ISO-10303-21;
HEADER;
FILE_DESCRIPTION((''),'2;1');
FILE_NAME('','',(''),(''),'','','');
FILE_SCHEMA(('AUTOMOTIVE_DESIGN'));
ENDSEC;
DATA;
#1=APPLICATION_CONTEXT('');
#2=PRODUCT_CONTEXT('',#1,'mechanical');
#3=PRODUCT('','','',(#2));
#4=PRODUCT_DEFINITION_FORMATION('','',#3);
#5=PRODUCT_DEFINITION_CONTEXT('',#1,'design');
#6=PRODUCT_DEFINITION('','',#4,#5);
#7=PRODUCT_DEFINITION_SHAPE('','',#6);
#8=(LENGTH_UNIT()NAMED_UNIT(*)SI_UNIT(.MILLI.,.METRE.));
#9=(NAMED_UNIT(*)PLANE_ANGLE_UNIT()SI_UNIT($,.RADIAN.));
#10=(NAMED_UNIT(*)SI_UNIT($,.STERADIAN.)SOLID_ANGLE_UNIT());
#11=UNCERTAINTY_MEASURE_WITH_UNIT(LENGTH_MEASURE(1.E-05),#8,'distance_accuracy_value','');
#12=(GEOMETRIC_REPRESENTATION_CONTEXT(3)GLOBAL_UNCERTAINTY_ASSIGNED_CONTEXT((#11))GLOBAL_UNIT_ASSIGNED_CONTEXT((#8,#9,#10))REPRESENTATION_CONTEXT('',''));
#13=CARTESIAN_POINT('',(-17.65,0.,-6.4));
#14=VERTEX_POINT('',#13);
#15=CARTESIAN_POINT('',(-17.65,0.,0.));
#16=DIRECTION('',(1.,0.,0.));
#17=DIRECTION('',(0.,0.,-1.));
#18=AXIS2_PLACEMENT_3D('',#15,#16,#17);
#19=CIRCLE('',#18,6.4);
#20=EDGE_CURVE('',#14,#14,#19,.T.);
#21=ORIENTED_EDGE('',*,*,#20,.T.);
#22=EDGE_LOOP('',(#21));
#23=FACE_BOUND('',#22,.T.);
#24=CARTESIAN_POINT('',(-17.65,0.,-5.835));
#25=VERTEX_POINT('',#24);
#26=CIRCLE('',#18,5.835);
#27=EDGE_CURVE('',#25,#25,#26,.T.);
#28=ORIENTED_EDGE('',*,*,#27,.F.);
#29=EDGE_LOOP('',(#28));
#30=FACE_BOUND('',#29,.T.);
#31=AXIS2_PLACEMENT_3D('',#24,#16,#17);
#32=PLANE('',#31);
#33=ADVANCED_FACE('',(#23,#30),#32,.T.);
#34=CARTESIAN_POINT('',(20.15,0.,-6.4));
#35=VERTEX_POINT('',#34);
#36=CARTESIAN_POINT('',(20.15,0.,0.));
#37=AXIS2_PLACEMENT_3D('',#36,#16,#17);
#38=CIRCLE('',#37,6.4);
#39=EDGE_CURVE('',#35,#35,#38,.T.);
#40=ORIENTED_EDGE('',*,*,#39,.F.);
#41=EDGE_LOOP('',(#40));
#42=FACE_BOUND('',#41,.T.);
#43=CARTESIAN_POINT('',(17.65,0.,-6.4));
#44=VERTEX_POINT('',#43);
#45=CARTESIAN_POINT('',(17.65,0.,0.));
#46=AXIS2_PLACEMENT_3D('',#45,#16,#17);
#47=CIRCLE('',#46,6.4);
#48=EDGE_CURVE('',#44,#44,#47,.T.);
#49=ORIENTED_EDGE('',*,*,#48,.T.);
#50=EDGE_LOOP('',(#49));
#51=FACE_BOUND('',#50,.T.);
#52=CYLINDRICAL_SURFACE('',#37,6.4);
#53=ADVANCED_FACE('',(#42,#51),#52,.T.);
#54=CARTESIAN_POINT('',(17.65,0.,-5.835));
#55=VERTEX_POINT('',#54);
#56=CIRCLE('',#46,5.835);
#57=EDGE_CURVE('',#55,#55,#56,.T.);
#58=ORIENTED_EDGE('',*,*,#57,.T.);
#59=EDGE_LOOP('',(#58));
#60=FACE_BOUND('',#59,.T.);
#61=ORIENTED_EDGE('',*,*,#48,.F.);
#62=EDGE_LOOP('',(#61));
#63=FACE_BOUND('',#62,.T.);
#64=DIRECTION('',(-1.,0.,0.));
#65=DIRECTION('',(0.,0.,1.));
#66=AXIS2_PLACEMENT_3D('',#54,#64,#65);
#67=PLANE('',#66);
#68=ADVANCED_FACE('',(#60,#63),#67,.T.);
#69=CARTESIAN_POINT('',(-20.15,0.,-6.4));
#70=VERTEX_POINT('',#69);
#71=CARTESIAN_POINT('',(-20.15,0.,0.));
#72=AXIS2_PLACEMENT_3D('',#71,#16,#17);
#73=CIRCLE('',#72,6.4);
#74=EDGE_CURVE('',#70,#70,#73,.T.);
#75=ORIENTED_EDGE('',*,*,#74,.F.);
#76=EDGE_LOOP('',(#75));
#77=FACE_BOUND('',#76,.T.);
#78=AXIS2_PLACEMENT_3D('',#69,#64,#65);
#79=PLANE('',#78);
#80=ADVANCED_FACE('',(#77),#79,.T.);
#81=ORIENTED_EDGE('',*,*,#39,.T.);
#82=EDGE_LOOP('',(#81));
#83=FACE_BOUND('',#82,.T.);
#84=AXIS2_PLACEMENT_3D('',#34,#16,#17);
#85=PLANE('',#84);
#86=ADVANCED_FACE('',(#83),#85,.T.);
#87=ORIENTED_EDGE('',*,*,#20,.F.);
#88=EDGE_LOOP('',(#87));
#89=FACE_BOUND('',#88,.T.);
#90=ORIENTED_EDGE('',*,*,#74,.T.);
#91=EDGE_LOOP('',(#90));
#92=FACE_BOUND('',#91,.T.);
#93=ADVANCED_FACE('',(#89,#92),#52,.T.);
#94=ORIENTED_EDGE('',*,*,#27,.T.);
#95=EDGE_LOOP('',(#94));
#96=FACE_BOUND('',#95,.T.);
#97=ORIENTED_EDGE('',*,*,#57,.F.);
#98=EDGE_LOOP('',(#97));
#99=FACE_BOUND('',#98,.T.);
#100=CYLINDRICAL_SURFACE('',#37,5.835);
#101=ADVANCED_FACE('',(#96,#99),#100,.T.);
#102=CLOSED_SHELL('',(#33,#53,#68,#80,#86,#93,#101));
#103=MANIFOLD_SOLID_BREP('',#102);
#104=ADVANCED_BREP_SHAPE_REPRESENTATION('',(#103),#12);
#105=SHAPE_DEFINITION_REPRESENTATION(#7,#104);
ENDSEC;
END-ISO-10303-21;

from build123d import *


with BuildPart() as part:
    # Sketch2 → Revolve1 (revolve)
    with BuildSketch(Plane(origin=(0, 0, 0), x_dir=(1, 0, 0), z_dir=(0, 1, 0))):
        Polygon((-17.65, 5.835), (17.65, 5.835), (17.65, 6.4), (20.15, 6.4), (20.15, 0), (-20.15, 0), (-20.15, 6.4), (-17.65, 6.4), align=None)
    revolve(axis=Axis((20.15, 0, 0), (-1, 0, 0)))


solid = part.part
